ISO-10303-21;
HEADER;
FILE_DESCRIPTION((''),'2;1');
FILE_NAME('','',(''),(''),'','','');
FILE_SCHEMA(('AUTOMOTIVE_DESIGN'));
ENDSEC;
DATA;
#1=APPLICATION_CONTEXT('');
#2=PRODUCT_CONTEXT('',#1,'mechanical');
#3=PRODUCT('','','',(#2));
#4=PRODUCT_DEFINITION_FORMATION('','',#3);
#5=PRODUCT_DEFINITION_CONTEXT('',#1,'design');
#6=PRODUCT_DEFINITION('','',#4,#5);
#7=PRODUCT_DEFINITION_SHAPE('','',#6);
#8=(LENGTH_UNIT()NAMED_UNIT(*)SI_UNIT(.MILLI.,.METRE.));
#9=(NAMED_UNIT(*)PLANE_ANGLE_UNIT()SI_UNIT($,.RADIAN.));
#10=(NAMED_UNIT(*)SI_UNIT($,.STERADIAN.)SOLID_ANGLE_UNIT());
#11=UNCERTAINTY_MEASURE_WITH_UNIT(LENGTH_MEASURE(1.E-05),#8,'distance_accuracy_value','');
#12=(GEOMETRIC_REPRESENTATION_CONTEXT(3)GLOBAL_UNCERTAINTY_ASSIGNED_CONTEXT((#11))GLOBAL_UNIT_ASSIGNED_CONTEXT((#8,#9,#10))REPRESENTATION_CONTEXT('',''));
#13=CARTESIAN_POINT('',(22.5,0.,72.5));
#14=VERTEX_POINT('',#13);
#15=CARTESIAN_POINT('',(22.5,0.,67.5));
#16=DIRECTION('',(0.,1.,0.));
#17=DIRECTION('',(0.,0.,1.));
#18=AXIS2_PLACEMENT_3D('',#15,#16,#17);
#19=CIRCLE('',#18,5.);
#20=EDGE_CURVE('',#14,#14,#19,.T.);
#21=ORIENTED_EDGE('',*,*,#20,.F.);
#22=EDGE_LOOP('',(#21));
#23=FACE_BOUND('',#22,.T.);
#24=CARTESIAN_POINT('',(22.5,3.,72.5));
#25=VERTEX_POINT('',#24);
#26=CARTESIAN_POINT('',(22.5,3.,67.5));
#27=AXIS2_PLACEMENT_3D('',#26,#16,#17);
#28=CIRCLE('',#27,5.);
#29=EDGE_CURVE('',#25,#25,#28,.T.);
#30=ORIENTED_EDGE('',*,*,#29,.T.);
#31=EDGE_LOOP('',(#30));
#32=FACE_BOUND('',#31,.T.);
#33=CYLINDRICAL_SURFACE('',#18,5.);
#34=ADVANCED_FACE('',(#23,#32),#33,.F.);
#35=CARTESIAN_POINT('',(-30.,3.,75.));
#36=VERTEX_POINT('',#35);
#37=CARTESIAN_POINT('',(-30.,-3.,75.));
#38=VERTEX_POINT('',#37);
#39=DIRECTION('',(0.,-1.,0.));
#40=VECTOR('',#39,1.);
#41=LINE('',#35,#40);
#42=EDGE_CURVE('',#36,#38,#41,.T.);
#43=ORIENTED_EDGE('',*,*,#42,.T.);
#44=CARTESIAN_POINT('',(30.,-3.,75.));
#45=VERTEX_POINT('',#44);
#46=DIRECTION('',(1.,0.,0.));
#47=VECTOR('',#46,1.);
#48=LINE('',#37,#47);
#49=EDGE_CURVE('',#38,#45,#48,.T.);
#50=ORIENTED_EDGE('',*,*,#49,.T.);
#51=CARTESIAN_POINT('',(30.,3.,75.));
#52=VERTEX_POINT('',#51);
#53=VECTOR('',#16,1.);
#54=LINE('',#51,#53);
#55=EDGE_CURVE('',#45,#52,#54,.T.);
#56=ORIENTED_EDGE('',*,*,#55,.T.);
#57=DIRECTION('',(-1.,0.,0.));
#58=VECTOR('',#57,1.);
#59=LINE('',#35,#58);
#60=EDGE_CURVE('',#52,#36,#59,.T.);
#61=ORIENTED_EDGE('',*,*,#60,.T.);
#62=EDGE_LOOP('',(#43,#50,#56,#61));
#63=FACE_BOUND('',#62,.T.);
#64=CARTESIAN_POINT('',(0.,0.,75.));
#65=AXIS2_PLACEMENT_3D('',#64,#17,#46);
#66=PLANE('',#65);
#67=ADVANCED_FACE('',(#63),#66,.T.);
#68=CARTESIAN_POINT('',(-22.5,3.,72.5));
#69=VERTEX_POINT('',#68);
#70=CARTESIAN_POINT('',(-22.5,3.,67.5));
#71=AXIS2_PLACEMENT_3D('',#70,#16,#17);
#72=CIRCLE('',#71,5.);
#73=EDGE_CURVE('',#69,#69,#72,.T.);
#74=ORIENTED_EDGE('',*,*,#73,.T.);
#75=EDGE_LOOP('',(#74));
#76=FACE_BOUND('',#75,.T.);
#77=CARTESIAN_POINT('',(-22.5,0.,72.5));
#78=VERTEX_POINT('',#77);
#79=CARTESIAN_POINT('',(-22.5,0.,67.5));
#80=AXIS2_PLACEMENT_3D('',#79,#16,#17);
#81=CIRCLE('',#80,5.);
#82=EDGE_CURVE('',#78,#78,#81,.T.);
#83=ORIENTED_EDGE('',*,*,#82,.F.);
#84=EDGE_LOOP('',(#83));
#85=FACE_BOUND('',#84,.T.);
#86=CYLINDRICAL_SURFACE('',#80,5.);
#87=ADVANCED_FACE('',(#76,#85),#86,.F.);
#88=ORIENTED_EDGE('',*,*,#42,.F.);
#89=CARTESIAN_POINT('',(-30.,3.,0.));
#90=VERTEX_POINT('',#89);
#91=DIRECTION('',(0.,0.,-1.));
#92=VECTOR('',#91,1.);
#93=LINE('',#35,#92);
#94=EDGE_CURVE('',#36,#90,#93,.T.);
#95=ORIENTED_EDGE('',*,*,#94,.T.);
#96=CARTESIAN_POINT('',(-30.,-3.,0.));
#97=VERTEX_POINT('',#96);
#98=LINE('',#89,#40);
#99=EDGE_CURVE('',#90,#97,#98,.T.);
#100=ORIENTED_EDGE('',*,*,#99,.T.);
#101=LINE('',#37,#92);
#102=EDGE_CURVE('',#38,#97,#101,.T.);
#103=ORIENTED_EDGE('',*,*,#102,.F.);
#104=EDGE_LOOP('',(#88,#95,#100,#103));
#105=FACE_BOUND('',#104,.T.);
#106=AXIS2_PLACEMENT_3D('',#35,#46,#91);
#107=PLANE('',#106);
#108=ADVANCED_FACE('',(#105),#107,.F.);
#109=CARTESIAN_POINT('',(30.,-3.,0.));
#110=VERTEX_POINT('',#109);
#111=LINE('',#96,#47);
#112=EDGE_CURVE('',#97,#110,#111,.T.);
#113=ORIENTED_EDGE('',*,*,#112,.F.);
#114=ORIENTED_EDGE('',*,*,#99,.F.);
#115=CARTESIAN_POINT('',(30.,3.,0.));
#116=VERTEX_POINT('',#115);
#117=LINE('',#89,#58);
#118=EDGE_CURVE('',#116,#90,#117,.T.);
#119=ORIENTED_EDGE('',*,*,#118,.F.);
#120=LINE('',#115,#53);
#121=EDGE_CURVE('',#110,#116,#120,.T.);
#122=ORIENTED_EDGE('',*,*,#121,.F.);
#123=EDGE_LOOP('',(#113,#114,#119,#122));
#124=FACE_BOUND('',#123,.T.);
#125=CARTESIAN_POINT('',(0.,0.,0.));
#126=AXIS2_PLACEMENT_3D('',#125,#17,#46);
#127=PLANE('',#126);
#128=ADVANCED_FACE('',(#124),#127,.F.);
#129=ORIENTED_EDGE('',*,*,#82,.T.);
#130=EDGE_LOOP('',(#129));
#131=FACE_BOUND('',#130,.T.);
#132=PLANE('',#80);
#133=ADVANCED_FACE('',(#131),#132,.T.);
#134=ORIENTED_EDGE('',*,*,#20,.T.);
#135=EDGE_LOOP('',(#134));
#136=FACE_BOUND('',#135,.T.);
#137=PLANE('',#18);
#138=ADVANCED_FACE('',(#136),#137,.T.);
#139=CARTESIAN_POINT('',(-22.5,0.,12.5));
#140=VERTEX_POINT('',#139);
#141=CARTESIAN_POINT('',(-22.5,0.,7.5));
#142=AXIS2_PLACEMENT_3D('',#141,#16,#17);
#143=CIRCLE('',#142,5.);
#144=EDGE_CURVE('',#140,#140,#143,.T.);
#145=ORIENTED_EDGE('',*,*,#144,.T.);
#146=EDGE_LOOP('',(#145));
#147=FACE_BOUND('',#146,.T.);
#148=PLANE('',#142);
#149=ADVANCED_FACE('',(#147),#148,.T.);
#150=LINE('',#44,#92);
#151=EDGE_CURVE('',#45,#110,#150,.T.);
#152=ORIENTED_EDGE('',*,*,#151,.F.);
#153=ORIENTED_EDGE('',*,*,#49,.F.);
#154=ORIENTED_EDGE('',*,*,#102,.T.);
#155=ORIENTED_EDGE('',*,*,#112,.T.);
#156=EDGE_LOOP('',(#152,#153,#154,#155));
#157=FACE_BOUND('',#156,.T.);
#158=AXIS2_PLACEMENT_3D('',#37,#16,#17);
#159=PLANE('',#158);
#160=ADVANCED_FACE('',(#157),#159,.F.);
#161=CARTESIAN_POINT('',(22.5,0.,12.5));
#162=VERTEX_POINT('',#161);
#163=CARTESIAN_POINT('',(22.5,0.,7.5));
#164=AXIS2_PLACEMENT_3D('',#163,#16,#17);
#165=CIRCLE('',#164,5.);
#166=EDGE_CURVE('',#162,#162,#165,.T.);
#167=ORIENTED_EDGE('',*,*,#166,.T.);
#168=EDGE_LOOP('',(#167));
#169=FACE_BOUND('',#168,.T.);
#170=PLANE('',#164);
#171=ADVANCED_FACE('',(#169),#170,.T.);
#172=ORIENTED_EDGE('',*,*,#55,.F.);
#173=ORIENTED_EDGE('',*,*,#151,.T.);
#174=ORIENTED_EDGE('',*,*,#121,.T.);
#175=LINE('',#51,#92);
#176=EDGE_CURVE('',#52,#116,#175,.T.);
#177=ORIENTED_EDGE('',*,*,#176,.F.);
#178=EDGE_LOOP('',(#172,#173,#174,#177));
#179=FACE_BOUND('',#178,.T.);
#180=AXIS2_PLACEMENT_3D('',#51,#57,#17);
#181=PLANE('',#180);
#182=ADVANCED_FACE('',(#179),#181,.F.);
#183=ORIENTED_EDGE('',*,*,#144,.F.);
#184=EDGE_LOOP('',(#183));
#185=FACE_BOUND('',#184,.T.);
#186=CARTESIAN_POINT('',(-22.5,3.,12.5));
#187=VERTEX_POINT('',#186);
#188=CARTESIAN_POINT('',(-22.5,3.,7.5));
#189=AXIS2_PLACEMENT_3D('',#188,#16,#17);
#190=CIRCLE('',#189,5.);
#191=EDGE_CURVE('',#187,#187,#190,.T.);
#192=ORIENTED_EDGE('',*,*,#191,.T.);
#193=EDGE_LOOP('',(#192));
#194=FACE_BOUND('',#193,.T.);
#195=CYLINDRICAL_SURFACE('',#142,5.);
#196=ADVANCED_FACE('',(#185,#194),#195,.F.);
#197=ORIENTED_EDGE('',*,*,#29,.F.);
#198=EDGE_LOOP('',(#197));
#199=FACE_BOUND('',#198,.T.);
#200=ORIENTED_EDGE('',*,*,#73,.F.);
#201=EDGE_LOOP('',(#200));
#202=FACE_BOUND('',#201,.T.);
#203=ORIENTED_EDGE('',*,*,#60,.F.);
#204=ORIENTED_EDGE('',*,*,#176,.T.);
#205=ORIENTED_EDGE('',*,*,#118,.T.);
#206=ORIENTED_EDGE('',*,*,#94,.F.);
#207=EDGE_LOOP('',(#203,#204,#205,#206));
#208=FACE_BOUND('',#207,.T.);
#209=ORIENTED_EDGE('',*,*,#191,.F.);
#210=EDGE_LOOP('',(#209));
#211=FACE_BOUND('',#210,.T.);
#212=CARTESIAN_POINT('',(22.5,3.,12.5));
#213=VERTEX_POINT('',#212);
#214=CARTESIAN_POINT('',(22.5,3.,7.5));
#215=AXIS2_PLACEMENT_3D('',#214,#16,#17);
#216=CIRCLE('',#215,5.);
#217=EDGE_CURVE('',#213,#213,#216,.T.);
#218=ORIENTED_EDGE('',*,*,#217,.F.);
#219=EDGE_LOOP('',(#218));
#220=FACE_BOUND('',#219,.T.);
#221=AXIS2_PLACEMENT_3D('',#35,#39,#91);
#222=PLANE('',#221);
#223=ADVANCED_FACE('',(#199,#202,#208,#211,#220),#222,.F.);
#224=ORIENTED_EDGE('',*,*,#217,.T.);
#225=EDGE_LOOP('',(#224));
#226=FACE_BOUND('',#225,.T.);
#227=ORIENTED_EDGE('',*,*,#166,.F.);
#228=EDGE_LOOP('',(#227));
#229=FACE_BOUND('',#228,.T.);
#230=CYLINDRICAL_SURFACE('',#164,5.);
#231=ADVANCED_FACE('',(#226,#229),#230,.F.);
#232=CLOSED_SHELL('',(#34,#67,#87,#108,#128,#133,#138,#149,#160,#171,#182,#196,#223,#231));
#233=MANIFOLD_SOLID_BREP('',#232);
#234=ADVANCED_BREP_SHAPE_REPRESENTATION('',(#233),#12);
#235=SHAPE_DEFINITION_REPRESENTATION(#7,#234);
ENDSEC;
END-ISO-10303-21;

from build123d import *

# Parameters (mm, degrees)
SKETCH1_W           = 60
SKETCH1_H           = 6
BOSS_EXTRUDE1_DEPTH = 75
SKETCH3_R           = 5
CUT_EXTRUDE2_DEPTH  = 3


with BuildPart() as part:
    # Sketch1 → Boss-Extrude1 (new body)
    with BuildSketch(Plane.XY):
        Rectangle(SKETCH1_W, SKETCH1_H)
    extrude(amount=BOSS_EXTRUDE1_DEPTH)

    # Sketch3 → Cut-Extrude2 (cut)
    with BuildSketch(Plane(origin=(0, 3, 0), x_dir=(1, 0, 0), z_dir=(0, 1, 0))):
        with Locations((22.5, -67.5)):
            Circle(SKETCH3_R)
        with Locations((-22.5, -67.5)):
            Circle(SKETCH3_R)
        with Locations((-22.5, -7.5)):
            Circle(SKETCH3_R)
        with Locations((22.5, -7.5)):
            Circle(SKETCH3_R)
    extrude(amount=-CUT_EXTRUDE2_DEPTH, mode=Mode.SUBTRACT)


solid = part.part
